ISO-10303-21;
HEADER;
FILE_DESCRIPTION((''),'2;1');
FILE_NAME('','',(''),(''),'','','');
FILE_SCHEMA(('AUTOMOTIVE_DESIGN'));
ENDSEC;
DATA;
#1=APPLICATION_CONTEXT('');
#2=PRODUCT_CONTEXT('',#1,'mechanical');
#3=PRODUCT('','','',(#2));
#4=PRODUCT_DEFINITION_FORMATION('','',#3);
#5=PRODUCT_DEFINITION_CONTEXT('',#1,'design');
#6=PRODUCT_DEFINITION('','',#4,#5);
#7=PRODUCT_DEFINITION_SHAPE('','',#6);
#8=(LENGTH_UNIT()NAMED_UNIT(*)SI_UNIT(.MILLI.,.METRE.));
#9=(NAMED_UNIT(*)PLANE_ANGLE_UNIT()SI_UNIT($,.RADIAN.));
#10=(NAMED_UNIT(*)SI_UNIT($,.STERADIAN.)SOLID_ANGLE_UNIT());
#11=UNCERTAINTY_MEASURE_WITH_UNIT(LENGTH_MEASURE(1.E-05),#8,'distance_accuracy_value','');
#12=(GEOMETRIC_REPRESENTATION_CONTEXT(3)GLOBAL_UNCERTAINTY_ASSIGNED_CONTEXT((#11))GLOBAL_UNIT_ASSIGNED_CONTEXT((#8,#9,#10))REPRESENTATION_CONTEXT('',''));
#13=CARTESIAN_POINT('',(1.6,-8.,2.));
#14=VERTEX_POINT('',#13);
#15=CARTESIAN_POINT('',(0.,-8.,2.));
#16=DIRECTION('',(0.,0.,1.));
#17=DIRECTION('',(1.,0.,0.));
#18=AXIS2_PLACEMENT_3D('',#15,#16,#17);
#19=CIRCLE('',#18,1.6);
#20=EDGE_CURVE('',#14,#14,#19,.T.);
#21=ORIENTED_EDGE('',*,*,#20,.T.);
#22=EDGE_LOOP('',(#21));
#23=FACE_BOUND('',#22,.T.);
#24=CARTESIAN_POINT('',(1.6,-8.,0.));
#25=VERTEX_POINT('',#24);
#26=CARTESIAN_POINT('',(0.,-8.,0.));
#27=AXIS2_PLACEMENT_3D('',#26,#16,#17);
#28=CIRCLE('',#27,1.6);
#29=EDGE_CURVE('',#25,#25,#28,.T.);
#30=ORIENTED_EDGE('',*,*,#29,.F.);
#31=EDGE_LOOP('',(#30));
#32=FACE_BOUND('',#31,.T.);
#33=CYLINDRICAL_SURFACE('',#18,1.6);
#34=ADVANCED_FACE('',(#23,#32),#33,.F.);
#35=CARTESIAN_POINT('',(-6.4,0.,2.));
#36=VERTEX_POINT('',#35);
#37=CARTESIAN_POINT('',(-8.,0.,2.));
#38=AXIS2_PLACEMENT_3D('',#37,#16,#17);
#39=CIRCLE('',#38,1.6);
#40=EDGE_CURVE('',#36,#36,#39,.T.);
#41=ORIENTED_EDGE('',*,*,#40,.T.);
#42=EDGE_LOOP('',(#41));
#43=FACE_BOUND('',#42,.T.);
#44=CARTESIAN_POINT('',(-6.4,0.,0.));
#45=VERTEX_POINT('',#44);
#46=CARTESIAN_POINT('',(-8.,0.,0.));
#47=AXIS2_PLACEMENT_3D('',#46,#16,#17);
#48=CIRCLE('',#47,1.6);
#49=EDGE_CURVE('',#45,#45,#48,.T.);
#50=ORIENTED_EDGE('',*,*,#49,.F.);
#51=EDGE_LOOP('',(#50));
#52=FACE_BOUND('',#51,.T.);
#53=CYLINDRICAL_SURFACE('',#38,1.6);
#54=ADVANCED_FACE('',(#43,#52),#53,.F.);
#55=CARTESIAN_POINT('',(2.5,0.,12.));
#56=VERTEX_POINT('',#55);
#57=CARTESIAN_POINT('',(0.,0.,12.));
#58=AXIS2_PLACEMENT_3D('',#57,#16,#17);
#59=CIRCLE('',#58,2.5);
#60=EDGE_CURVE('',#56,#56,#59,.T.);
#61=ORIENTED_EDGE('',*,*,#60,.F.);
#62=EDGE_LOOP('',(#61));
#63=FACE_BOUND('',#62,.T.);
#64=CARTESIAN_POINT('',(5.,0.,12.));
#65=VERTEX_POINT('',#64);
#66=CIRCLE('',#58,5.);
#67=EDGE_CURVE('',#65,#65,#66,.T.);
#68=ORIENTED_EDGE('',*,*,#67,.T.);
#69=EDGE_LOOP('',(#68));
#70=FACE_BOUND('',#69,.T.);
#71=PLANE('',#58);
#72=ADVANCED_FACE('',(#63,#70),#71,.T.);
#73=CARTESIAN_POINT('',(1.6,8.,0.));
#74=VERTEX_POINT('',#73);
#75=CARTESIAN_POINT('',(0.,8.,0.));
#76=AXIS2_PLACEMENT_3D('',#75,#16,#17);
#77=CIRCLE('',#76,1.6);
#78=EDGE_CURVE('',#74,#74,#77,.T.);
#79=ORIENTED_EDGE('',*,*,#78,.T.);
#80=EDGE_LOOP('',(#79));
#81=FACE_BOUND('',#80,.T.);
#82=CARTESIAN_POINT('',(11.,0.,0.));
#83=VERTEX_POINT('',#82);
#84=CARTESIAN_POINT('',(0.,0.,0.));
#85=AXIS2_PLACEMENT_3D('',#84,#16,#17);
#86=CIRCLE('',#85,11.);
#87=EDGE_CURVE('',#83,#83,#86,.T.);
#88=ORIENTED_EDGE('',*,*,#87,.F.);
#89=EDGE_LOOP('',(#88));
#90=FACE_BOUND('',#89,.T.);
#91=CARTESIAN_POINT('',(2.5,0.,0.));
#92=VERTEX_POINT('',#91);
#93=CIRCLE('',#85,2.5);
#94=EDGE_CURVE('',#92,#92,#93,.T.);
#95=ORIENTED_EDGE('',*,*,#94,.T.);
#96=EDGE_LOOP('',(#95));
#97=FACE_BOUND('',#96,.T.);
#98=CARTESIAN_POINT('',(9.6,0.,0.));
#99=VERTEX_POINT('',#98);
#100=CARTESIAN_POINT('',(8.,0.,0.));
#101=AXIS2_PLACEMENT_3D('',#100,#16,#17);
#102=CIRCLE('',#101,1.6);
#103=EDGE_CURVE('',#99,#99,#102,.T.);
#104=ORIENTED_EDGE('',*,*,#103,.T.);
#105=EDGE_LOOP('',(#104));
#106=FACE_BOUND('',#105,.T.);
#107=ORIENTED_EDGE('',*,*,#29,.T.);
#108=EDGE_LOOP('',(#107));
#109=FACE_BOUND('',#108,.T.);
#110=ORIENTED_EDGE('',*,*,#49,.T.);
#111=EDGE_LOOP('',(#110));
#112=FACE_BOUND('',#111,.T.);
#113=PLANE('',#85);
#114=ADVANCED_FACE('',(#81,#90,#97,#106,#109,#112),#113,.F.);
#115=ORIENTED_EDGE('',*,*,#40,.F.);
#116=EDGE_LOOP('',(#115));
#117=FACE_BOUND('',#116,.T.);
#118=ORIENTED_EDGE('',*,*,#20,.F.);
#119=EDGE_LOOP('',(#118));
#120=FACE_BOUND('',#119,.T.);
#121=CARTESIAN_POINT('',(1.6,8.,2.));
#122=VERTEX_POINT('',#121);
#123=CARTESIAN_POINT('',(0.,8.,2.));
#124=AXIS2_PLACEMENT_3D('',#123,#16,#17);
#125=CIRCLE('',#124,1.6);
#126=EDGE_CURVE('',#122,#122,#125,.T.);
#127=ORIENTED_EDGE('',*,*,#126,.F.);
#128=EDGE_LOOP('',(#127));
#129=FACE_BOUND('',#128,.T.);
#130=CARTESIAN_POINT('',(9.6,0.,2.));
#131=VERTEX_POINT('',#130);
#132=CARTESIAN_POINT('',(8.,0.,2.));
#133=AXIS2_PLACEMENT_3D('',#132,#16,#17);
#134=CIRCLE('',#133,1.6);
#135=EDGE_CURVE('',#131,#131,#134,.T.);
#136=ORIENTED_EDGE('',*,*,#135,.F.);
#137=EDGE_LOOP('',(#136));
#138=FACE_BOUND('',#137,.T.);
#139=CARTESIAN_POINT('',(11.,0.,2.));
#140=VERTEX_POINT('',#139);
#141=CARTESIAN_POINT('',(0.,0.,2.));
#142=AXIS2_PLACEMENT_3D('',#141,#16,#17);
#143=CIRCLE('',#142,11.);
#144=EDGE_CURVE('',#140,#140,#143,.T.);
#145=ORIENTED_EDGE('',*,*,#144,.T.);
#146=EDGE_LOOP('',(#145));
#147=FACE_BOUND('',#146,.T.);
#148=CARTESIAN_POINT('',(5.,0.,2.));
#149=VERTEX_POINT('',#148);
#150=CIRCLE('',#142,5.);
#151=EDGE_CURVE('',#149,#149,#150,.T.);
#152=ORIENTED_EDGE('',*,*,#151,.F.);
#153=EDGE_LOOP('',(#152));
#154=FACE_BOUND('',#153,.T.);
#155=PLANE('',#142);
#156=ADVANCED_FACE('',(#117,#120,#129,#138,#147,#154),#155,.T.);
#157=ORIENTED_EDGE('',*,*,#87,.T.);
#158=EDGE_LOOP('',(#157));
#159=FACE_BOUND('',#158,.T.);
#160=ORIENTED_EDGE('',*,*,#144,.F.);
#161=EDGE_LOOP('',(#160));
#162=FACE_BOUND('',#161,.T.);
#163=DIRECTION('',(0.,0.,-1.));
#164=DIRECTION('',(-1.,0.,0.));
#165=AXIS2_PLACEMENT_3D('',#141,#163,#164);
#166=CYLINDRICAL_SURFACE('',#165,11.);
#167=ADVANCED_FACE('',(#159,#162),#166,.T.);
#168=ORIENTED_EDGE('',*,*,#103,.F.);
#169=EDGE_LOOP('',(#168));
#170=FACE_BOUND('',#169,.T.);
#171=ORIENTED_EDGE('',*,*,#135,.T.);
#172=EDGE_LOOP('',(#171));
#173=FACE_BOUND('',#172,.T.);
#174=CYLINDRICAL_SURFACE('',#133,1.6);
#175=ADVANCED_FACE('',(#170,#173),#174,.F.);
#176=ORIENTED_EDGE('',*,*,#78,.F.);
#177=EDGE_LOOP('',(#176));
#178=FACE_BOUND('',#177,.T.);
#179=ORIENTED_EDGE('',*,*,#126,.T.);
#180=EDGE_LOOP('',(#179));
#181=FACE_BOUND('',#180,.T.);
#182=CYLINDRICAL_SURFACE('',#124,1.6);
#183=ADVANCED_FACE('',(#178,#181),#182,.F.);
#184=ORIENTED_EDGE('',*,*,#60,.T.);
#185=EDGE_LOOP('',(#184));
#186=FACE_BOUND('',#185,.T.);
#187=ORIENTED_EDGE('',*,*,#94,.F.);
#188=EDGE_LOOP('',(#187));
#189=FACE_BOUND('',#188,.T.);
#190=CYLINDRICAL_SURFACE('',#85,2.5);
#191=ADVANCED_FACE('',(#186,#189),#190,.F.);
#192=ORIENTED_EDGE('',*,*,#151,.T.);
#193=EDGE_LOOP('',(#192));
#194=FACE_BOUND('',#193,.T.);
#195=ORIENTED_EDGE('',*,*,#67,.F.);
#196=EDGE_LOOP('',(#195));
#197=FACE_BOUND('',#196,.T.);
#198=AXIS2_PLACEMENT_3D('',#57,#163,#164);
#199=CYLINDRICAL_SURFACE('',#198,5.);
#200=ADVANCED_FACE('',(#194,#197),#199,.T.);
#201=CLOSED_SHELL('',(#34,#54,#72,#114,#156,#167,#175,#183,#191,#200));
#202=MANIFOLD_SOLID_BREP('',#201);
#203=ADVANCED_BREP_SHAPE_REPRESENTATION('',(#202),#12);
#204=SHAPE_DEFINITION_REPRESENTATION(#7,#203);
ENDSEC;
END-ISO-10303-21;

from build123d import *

# Parameters (mm, degrees)
SKETCH_1_R                  = 11
EXTRUDE_1_DEPTH             = 2
SKETCH_2_R                  = 5
EXTRUDE_2_DEPTH             = 10
SKETCH_3_R                  = 2.5
CUT_EXTRUDE_1_DEPTH         = 20.646882704
HOLE_WIZARD_3_2_3_2_1_D     = 3.2
HOLE_WIZARD_3_2_3_2_1_DEPTH = 10
HOLE_WIZARD_3_2_3_2_1_TIP   = 0.96137699


with BuildPart() as part:
    # 草图1 → 凸台-拉伸1 (new body)
    with BuildSketch(Plane.XY):
        Circle(SKETCH_1_R)
    extrude(amount=EXTRUDE_1_DEPTH)

    # 草图2 → 凸台-拉伸2 (add)
    with BuildSketch(Plane.XY.offset(2)):
        Circle(SKETCH_2_R)
    extrude(amount=EXTRUDE_2_DEPTH)

    # 草图3 → 切除-拉伸1 (cut, through all)
    with BuildSketch(Plane.XY.offset(12)):
        Circle(SKETCH_3_R)
    extrude(amount=-CUT_EXTRUDE_1_DEPTH, mode=Mode.SUBTRACT)

    # Ø3.2 (3.2) 直径孔1
    with Locations(Plane.XY.offset(2)):
        with Locations((8, 0), (-8, 0), (0, -8), (0, 8)):
            Hole(HOLE_WIZARD_3_2_3_2_1_D / 2, depth=HOLE_WIZARD_3_2_3_2_1_DEPTH)
            with Locations((0, 0, -(HOLE_WIZARD_3_2_3_2_1_DEPTH + HOLE_WIZARD_3_2_3_2_1_TIP / 2))):  # 118° drill point
                Cone(0, HOLE_WIZARD_3_2_3_2_1_D / 2, HOLE_WIZARD_3_2_3_2_1_TIP, mode=Mode.SUBTRACT)


solid = part.part
